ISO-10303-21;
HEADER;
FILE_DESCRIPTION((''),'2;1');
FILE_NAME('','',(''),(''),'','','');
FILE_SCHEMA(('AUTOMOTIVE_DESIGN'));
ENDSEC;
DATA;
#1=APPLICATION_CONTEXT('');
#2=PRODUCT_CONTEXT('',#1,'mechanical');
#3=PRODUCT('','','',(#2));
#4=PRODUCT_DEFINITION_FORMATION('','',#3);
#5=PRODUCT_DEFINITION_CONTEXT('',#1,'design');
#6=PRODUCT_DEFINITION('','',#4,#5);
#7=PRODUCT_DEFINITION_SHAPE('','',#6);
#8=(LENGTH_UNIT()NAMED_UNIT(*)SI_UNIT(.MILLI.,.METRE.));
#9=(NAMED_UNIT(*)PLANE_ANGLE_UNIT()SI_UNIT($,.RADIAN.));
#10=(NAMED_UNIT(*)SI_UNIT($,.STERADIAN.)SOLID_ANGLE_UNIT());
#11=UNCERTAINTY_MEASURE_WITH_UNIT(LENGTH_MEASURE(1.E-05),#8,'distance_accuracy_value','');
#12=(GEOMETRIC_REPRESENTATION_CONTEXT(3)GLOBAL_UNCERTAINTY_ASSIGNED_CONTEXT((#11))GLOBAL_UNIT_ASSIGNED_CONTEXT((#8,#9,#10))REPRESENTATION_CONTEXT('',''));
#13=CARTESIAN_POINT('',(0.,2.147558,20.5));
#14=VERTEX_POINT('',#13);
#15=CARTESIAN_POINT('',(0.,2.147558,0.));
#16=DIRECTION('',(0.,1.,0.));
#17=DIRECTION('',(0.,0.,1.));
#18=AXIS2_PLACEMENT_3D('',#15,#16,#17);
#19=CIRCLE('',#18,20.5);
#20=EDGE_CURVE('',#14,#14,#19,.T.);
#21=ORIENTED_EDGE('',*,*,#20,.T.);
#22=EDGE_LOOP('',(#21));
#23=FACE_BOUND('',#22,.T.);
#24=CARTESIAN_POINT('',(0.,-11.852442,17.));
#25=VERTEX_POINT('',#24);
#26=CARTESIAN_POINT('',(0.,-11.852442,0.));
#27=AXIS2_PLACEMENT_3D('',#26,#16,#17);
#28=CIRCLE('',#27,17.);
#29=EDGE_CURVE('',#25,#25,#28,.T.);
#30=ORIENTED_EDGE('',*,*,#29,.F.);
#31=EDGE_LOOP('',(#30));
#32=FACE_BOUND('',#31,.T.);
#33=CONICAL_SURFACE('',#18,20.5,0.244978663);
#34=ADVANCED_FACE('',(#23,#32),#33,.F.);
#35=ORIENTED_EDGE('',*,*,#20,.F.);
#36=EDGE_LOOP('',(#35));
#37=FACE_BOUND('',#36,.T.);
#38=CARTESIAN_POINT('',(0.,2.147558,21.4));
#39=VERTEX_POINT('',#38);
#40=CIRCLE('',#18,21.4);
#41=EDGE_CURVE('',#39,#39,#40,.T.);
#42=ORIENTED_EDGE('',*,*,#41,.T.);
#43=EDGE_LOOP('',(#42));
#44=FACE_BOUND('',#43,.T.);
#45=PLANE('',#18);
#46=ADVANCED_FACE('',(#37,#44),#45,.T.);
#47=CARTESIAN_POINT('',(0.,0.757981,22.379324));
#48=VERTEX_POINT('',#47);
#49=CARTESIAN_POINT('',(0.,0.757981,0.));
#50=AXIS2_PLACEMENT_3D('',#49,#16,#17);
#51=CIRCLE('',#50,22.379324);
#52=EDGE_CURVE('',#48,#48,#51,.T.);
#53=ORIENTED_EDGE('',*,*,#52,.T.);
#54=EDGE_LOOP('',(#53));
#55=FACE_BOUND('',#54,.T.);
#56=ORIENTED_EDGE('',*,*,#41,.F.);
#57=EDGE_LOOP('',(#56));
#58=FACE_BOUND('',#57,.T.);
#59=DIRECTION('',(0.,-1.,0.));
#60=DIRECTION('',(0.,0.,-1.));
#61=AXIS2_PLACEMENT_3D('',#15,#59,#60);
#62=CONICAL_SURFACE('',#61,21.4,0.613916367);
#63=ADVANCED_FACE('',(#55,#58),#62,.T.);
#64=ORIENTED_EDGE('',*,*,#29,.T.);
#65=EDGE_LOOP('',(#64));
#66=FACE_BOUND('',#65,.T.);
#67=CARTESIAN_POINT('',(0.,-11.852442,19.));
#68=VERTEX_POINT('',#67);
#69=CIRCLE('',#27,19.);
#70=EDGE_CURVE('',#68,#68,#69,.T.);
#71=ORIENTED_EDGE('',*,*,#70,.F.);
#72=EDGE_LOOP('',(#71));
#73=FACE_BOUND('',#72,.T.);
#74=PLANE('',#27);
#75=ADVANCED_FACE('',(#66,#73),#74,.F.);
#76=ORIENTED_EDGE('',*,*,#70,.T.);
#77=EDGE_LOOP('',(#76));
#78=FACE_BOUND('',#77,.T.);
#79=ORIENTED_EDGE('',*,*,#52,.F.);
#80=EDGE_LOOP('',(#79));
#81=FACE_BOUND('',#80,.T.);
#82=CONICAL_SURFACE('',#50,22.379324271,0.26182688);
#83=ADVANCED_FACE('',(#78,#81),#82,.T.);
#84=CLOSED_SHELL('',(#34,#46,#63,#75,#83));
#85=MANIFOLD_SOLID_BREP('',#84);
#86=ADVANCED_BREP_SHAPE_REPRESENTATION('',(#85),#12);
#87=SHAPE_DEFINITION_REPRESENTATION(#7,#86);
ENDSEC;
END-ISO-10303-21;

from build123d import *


with BuildPart() as part:
    # Sketch1 → Revolve1 (revolve)
    with BuildSketch(Plane.XY):
        Polygon((22.379324271, 0.757981005), (19, -11.852442091), (17, -11.852442091), (20.5, 2.147557909), (21.4, 2.147557909), align=None)
    revolve(axis=Axis((0, 93.373057912, 0), (0, -1, 0)))


solid = part.part
